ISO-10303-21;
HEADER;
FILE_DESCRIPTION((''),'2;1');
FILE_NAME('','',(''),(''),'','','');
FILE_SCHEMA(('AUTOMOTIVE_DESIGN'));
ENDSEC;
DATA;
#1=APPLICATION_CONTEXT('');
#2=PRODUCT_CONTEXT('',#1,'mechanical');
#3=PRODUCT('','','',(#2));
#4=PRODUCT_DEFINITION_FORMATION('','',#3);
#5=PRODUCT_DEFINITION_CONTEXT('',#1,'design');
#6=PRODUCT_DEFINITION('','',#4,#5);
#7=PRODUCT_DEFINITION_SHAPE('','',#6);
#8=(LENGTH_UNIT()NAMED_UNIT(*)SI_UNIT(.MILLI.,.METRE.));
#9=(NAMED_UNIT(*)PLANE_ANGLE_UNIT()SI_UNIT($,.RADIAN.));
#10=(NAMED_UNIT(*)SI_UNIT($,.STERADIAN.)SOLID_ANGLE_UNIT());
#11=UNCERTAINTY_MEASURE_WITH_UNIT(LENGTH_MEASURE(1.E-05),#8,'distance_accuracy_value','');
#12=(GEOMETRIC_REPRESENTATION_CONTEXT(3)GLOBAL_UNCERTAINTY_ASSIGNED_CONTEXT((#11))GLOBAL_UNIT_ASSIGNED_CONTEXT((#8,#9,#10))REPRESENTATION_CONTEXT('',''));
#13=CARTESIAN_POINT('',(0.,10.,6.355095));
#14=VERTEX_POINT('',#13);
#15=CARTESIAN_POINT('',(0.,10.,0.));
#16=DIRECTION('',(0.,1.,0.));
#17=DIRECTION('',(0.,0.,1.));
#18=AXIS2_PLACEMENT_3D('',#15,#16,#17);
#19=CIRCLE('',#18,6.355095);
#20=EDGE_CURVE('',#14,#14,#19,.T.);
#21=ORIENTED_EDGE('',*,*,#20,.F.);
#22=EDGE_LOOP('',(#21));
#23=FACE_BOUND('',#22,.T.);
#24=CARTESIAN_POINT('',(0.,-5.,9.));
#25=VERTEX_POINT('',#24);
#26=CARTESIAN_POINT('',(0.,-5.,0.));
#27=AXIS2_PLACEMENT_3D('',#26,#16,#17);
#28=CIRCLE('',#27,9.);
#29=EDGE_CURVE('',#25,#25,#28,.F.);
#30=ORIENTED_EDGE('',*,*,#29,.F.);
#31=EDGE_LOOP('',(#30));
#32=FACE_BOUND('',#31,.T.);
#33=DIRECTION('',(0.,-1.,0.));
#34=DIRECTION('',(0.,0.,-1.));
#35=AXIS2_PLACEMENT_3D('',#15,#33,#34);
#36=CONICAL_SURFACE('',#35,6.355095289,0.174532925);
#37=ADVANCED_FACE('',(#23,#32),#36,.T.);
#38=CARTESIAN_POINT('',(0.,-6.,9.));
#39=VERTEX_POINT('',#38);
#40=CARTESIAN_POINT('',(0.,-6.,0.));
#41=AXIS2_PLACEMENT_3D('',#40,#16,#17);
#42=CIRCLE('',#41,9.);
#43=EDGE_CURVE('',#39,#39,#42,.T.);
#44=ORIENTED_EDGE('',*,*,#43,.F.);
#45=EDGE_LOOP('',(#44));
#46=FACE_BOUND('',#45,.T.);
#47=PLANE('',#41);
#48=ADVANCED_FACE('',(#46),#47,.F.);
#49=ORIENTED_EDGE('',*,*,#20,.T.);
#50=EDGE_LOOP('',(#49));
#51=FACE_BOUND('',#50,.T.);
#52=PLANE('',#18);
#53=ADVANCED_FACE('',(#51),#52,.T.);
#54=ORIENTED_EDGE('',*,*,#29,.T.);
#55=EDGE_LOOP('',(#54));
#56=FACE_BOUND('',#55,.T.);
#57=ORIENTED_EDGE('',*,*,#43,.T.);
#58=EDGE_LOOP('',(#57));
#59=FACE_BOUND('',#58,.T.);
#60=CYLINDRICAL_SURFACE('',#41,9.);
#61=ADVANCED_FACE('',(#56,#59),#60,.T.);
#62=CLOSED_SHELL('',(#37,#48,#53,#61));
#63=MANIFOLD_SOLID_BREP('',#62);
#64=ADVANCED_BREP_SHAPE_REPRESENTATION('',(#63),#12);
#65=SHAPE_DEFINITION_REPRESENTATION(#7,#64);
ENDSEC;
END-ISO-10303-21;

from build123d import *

# Parameters (mm, degrees)
EXTRUDE_1_DEPTH      = 10
EXTRUDE_1_DEPTH_BACK = 6
SKETCH_1_R           = 9
CHAMFER_1_SIZE       = 15
CHAMFER_1_SIZE2      = 2.644904711


with BuildPart() as part:
    # 草图1 → 凸台-拉伸1 (new, two sides: drawn at the far end of the back side and taken through both)
    with BuildSketch(Plane(origin=(0, 0, 0), x_dir=(1, 0, 0), z_dir=(0, 1, 0)).offset(-EXTRUDE_1_DEPTH_BACK)):
        with Locations(Location((0, 0, 0), (0, 0, 270))):
            Circle(SKETCH_1_R)
    extrude(amount=EXTRUDE_1_DEPTH + EXTRUDE_1_DEPTH_BACK)

    # 倒角1
    chamfer_1_edges = [part.edges().sort_by_distance(p)[0] for p in [
        (0, 10, -9),
    ]]
    chamfer_1_side = [part.faces().sort_by_distance(p)[0] for p in [
        (0, 5, -9),
    ]]
    chamfer(chamfer_1_edges, length=CHAMFER_1_SIZE, length2=CHAMFER_1_SIZE2, reference=chamfer_1_side[0])


solid = part.part
